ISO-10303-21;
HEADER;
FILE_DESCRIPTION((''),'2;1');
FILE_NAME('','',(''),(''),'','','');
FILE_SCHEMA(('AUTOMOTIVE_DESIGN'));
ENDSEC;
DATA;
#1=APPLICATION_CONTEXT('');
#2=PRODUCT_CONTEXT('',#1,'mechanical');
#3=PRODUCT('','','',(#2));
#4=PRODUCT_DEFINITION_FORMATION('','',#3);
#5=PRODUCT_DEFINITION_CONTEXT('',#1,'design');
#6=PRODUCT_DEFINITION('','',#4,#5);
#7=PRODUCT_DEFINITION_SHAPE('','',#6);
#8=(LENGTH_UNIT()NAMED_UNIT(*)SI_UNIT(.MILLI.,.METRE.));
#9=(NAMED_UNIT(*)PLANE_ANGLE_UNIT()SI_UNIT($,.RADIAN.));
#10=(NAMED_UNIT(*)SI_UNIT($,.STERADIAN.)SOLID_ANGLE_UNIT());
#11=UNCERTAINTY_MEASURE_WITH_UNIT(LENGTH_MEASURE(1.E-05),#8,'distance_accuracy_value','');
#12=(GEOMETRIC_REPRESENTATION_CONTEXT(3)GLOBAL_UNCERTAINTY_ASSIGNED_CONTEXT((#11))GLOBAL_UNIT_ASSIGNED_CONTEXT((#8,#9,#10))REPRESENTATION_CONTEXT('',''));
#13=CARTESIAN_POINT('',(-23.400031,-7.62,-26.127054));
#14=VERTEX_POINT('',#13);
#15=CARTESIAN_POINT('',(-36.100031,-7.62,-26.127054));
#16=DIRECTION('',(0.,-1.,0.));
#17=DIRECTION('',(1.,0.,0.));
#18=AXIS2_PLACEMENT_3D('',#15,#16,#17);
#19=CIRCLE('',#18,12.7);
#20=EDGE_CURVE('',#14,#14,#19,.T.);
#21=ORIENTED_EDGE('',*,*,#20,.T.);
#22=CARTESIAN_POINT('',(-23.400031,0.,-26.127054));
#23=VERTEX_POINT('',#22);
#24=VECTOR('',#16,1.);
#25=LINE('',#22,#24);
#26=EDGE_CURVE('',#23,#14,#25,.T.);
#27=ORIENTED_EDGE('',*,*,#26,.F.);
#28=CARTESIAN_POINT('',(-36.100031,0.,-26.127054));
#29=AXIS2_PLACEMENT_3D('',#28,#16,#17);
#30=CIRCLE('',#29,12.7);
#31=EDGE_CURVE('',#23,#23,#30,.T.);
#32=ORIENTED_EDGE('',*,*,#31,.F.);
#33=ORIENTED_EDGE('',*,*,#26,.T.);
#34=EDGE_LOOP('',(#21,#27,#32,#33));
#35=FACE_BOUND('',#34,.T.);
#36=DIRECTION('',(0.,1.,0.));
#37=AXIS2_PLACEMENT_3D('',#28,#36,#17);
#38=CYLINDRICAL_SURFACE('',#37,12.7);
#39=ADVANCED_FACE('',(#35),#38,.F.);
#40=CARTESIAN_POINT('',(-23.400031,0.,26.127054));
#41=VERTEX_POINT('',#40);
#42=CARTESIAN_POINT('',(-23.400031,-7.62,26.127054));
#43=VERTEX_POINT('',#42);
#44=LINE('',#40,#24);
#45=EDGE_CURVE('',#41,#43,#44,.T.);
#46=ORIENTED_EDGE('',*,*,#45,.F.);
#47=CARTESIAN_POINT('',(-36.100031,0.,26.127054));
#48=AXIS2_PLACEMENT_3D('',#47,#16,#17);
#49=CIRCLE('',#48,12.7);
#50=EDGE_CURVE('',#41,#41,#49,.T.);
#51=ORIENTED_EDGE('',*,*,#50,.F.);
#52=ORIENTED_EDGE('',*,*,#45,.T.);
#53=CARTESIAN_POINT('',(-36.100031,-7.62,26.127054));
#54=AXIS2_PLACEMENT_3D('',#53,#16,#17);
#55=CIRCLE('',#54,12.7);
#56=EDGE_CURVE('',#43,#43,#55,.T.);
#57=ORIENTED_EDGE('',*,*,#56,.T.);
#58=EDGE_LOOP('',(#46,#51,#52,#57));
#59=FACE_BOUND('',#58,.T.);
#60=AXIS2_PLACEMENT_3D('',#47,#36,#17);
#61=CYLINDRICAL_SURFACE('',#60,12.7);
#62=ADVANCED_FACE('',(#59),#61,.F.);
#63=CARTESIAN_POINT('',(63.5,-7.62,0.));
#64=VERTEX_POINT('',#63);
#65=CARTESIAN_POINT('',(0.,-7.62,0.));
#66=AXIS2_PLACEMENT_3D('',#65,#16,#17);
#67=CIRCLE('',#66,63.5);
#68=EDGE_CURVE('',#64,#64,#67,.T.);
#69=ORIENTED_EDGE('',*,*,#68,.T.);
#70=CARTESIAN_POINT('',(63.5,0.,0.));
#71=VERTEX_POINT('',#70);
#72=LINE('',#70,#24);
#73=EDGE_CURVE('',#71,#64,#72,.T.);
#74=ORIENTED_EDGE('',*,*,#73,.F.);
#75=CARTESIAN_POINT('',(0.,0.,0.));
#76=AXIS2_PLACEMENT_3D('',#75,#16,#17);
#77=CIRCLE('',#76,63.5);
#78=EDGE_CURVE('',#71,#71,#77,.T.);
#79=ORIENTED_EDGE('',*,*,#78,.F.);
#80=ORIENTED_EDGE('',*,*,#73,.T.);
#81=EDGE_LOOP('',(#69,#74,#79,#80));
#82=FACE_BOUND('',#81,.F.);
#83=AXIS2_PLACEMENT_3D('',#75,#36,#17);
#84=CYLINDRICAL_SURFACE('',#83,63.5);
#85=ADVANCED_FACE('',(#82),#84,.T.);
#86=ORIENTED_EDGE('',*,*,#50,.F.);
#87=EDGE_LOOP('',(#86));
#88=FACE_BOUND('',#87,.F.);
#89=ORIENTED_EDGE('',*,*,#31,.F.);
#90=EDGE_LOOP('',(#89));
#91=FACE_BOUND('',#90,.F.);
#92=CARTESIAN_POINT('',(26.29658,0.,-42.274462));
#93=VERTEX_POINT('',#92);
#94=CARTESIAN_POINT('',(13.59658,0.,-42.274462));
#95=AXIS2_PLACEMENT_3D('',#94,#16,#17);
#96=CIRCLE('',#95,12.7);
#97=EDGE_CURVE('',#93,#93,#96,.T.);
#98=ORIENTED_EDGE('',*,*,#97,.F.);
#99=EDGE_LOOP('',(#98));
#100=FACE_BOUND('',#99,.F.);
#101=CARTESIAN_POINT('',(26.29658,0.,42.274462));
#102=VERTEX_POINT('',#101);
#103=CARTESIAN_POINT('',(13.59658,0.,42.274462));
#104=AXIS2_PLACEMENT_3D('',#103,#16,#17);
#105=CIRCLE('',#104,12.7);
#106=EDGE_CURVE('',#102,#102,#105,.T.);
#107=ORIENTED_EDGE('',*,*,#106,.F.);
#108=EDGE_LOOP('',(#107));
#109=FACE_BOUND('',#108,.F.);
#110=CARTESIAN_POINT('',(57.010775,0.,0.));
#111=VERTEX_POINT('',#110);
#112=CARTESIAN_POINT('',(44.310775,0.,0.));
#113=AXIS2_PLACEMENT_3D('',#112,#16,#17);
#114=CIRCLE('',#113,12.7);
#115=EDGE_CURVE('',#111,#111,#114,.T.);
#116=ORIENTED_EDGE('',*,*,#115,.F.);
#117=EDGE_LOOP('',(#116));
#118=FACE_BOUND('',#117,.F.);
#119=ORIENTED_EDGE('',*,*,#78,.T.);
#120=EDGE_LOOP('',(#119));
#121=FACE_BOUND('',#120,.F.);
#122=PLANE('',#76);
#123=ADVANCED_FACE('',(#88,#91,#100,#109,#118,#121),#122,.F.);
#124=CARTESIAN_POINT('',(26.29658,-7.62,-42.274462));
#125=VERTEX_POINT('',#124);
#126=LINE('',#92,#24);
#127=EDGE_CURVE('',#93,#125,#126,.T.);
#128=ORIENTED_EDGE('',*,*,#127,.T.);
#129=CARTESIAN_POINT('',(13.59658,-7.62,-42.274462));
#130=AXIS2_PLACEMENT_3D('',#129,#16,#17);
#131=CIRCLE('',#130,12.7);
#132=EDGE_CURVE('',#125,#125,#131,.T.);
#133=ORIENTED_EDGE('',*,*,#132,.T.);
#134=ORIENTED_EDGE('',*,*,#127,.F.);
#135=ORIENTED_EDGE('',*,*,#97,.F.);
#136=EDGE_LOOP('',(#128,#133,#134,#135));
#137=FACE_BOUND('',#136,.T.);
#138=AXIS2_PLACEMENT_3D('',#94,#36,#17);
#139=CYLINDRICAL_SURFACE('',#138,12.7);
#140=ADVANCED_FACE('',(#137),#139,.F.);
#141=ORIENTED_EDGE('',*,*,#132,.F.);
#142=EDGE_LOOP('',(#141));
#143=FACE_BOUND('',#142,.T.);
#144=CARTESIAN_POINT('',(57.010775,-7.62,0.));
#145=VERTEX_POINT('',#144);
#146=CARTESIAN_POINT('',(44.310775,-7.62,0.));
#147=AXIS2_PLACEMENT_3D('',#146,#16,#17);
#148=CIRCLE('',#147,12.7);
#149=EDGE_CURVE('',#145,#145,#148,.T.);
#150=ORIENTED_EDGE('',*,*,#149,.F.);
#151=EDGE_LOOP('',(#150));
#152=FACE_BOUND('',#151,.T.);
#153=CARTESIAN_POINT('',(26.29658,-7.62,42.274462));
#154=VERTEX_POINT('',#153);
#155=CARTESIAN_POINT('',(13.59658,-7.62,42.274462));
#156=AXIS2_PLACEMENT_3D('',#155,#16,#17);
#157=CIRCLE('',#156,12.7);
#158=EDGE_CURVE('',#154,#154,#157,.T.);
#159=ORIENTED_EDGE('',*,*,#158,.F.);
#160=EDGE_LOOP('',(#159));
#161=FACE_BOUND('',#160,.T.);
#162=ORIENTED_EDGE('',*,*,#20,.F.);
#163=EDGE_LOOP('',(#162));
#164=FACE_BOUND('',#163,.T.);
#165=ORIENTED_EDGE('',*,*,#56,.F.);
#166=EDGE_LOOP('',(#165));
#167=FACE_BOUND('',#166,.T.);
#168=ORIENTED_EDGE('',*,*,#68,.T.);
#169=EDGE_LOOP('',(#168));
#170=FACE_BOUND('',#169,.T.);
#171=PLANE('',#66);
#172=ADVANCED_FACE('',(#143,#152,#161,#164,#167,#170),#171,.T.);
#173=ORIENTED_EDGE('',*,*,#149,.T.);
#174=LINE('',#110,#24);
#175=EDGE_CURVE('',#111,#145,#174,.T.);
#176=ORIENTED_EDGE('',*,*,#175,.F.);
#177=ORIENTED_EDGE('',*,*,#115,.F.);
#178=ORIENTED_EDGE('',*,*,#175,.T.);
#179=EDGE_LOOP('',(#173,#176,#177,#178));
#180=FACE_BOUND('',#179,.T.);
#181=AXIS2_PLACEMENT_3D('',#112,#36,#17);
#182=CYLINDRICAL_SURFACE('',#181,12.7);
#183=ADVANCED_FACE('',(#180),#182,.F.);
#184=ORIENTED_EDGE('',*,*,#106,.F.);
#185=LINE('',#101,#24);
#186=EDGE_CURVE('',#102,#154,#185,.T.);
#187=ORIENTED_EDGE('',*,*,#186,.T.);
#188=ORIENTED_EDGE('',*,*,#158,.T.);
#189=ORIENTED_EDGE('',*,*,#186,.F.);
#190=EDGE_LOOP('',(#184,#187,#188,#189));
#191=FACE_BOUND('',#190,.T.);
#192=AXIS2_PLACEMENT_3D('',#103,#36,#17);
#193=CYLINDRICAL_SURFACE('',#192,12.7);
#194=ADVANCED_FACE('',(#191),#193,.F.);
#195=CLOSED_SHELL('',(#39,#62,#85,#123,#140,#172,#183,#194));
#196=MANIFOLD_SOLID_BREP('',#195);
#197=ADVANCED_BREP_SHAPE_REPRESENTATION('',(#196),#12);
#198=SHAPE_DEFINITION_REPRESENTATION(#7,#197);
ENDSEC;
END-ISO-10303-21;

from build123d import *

# Parameters (mm, degrees)
F0_R     = 63.5
F0_R_2   = 12.7
F1_DEPTH = 7.62


with BuildPart() as f1:
    # F0 (on Front) → F1 (new body)
    with BuildSketch(Plane.XZ):
        Circle(F0_R)
        with Locations((-36.100031, -26.127054)):
            Circle(F0_R_2, mode=Mode.SUBTRACT)
        with Locations((13.59658, -42.274462)):
            Circle(F0_R_2, mode=Mode.SUBTRACT)
        with Locations((-36.100031, 26.127054)):
            Circle(F0_R_2, mode=Mode.SUBTRACT)
        with Locations((44.310775, 0)):
            Circle(F0_R_2, mode=Mode.SUBTRACT)
        with Locations((13.59658, 42.274462)):
            Circle(F0_R_2, mode=Mode.SUBTRACT)
    extrude(amount=F1_DEPTH)


solid = f1.part
